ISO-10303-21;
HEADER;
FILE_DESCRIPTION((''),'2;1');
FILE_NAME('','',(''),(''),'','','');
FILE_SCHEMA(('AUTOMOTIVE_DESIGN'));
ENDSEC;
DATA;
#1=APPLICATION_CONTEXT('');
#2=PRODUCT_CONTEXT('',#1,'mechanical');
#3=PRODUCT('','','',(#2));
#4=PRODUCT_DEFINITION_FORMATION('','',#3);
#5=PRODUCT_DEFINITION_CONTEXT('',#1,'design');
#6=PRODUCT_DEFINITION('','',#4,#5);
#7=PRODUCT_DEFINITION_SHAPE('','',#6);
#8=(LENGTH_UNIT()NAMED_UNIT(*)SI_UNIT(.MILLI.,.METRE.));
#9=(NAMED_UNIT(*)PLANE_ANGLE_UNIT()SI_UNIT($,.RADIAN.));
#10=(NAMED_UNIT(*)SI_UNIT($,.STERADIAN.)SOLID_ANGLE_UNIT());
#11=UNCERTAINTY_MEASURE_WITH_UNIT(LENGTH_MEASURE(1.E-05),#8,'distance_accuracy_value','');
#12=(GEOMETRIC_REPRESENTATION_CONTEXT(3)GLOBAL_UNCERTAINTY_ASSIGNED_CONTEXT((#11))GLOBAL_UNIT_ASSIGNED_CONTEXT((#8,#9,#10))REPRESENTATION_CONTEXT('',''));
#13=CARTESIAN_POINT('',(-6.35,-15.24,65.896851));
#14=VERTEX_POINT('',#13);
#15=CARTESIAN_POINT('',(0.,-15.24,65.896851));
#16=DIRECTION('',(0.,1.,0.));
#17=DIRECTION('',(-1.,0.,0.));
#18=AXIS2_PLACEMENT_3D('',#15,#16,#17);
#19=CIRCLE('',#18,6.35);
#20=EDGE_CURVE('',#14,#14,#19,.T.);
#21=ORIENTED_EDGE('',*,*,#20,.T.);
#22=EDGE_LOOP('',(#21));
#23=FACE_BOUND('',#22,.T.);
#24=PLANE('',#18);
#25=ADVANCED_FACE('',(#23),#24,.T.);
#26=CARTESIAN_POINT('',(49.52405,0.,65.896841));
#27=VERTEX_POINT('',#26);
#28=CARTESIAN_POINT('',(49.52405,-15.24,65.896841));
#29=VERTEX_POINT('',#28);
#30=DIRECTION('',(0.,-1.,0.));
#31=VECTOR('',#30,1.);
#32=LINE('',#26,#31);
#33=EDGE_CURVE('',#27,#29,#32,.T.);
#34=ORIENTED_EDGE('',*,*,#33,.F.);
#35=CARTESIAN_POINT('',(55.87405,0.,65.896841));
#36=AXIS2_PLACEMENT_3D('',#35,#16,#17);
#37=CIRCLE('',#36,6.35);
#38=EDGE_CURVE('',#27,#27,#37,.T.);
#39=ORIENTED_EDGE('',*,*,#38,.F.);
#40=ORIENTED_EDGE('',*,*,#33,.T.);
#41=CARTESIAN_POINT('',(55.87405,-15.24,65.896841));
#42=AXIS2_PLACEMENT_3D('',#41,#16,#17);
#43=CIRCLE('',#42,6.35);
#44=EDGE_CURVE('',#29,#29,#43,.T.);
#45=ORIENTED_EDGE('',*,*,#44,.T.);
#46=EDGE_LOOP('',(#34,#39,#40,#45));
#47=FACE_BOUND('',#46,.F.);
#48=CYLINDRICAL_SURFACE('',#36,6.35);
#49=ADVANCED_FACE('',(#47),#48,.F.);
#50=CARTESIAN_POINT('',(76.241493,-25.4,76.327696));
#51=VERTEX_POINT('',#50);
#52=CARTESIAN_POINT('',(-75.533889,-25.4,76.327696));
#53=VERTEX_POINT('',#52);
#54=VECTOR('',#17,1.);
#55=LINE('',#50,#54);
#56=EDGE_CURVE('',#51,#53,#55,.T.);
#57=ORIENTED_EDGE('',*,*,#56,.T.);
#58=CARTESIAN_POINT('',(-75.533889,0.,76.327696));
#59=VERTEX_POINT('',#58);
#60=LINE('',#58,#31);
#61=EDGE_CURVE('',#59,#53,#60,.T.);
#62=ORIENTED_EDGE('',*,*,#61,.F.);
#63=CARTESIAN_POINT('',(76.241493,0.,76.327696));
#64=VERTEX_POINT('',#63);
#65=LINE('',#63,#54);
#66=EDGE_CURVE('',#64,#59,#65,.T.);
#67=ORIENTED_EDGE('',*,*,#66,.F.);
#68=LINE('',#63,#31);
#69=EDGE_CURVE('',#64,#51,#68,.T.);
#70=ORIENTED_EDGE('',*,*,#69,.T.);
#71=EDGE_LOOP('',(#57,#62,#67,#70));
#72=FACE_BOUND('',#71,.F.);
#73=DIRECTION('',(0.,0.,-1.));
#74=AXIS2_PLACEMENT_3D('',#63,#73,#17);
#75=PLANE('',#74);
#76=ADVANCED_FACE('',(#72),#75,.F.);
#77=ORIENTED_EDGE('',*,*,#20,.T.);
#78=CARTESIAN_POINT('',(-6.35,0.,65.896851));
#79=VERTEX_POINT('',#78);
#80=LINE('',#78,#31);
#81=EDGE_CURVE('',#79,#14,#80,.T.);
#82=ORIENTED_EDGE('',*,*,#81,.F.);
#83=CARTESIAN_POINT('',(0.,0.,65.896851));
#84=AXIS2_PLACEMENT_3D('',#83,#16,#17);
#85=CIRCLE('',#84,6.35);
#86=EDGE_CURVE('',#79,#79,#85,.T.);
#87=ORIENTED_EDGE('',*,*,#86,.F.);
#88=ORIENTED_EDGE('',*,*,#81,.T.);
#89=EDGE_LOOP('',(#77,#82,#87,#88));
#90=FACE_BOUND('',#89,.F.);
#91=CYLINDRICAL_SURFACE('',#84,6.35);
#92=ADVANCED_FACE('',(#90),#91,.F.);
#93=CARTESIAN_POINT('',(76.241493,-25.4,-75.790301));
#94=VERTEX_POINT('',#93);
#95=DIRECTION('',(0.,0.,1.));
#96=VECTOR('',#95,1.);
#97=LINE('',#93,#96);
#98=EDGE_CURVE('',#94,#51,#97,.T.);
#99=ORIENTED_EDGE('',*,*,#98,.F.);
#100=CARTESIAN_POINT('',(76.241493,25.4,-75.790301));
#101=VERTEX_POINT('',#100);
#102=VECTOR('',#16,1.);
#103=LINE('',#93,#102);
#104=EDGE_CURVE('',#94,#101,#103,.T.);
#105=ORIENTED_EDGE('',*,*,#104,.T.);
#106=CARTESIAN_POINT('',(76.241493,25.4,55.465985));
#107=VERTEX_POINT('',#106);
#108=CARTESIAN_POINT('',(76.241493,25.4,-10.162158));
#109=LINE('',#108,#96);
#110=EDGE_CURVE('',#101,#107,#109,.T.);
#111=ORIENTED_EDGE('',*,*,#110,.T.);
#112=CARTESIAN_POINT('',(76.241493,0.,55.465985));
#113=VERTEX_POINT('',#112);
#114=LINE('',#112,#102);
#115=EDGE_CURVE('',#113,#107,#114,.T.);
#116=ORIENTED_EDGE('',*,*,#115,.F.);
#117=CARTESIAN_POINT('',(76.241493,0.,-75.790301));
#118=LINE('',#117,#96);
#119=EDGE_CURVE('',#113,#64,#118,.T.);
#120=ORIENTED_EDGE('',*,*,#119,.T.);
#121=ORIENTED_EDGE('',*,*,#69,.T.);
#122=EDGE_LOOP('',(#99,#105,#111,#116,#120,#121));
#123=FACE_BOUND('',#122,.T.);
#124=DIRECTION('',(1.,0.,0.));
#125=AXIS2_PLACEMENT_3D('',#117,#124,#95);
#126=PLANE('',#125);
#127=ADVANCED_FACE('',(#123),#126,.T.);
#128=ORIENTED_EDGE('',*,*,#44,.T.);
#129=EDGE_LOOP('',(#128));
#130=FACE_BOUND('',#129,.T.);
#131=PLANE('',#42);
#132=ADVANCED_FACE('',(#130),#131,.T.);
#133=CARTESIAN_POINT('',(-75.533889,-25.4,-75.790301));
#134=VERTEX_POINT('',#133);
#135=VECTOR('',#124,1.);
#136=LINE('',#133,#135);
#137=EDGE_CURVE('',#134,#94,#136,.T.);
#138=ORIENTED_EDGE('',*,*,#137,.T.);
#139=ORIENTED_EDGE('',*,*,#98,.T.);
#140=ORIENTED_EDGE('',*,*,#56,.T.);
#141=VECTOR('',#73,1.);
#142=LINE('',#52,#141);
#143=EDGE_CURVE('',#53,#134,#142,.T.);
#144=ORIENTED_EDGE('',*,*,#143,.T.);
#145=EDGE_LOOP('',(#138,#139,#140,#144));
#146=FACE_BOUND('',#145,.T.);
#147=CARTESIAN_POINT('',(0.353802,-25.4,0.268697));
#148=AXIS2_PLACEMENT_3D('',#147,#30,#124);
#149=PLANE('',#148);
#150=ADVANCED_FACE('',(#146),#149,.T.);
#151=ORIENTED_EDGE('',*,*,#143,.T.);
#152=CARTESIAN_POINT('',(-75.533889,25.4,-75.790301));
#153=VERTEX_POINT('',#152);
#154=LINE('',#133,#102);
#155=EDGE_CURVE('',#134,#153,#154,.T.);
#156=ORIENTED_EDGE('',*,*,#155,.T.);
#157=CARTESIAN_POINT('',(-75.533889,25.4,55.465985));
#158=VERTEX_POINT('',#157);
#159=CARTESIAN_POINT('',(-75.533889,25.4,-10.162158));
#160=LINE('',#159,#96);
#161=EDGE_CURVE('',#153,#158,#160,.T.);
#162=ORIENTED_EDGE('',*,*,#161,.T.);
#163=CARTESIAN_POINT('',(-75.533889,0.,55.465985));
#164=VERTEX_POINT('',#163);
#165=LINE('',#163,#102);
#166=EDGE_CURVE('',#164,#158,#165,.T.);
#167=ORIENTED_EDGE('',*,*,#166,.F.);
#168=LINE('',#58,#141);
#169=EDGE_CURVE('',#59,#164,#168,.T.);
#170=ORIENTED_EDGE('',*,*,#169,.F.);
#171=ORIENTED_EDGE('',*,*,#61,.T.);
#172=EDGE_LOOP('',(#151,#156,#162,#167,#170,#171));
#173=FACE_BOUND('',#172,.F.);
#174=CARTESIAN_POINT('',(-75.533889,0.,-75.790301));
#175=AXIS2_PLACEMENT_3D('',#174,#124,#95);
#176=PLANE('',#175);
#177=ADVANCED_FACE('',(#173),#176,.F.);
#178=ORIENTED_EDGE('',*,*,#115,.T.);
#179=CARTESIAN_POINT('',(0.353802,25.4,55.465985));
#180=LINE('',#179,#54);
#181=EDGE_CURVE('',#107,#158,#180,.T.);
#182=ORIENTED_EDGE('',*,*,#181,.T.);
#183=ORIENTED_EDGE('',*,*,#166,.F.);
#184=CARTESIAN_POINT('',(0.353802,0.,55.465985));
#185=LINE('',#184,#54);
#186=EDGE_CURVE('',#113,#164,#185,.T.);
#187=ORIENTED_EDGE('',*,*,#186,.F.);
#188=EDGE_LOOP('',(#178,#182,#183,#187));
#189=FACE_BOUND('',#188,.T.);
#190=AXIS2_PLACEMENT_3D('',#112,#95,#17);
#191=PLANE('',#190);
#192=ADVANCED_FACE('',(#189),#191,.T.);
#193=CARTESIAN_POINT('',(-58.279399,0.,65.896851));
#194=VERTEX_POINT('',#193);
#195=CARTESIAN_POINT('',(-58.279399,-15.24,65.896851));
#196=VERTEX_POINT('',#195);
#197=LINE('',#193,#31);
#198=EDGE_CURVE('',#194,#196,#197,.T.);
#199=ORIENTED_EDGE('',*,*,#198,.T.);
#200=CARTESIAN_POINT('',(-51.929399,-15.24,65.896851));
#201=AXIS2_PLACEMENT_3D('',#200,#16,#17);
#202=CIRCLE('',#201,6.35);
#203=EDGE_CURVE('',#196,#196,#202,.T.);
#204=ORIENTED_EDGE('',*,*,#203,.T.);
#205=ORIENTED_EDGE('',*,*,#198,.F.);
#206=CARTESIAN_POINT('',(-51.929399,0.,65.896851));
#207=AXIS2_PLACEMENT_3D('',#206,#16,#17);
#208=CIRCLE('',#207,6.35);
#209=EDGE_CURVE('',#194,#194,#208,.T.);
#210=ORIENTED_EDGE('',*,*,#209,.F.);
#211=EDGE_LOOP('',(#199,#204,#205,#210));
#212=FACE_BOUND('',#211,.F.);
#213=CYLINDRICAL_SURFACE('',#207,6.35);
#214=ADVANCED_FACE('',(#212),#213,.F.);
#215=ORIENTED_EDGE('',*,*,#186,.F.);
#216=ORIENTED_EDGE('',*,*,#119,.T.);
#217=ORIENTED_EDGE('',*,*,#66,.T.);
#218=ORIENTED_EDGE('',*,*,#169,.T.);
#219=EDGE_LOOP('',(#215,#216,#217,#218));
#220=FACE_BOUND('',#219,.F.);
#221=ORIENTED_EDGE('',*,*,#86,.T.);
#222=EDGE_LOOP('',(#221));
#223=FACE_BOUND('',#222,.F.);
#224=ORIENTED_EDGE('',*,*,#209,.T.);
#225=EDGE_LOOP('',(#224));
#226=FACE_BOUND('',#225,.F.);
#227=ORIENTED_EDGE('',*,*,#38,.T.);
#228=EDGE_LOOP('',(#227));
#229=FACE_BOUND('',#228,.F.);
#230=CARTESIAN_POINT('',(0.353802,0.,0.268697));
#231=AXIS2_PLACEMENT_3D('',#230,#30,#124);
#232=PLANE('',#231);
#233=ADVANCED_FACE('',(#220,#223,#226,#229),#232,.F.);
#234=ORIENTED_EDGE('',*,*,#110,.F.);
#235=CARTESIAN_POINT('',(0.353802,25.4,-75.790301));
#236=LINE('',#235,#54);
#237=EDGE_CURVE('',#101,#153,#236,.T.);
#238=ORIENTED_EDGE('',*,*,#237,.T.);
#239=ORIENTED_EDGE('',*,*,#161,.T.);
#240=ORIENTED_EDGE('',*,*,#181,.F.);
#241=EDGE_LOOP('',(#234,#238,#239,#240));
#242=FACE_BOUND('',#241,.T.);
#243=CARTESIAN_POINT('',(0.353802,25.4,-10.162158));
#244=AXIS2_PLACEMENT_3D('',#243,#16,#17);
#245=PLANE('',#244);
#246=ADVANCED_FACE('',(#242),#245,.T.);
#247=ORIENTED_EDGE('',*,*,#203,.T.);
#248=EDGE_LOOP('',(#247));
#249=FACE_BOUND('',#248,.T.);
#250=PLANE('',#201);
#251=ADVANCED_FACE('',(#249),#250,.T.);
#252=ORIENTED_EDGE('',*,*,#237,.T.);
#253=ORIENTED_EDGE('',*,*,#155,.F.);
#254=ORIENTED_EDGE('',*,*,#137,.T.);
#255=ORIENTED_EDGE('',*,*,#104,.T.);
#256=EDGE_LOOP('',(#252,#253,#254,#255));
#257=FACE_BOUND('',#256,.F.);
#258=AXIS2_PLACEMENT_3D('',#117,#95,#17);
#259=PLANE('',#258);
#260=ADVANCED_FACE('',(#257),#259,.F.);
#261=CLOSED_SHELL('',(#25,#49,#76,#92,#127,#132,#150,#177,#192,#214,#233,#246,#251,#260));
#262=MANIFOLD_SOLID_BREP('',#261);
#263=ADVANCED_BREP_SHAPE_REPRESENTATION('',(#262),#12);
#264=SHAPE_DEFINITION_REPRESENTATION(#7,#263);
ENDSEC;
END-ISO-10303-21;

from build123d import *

# Parameters (mm, degrees)
F1_DEPTH = 25.4
F2_W     = 151.775382
F2_H     = 131.256286
F3_DEPTH = 25.4
F4_R     = 6.35
F5_DEPTH = 15.24


with BuildPart() as f1:
    # F0 (on Front) → F1 (new body)
    with BuildSketch(Plane.XZ):
        Polygon((-75.533889, 76.327696), (-75.533889, 61.938155), (-75.533889, -75.790301), (72.815411, -75.790301), (76.241493, -75.790301), (76.241493, 76.327696), align=None)
    extrude(amount=F1_DEPTH)

    # F2 (on face) → F3 (join)
    with BuildSketch(Plane(origin=(0, 0, 0), x_dir=(-1, 0, 0), z_dir=(0, 1, 0))):
        with Locations((-0.353802, -10.162158)):
            Rectangle(F2_W, F2_H)
    extrude(amount=F3_DEPTH)

    # F4 (on face) → F5 (cut)
    with BuildSketch(Plane(origin=(0, 0, 0), x_dir=(-1, 0, 0), z_dir=(0, 1, 0))):
        with Locations((-55.87405, 65.896841)):
            Circle(F4_R)
        with Locations((0, 65.896851)):
            Circle(F4_R)
        with Locations((51.929399, 65.896851)):
            Circle(F4_R)
    extrude(amount=-F5_DEPTH, mode=Mode.SUBTRACT)


solid = f1.part
